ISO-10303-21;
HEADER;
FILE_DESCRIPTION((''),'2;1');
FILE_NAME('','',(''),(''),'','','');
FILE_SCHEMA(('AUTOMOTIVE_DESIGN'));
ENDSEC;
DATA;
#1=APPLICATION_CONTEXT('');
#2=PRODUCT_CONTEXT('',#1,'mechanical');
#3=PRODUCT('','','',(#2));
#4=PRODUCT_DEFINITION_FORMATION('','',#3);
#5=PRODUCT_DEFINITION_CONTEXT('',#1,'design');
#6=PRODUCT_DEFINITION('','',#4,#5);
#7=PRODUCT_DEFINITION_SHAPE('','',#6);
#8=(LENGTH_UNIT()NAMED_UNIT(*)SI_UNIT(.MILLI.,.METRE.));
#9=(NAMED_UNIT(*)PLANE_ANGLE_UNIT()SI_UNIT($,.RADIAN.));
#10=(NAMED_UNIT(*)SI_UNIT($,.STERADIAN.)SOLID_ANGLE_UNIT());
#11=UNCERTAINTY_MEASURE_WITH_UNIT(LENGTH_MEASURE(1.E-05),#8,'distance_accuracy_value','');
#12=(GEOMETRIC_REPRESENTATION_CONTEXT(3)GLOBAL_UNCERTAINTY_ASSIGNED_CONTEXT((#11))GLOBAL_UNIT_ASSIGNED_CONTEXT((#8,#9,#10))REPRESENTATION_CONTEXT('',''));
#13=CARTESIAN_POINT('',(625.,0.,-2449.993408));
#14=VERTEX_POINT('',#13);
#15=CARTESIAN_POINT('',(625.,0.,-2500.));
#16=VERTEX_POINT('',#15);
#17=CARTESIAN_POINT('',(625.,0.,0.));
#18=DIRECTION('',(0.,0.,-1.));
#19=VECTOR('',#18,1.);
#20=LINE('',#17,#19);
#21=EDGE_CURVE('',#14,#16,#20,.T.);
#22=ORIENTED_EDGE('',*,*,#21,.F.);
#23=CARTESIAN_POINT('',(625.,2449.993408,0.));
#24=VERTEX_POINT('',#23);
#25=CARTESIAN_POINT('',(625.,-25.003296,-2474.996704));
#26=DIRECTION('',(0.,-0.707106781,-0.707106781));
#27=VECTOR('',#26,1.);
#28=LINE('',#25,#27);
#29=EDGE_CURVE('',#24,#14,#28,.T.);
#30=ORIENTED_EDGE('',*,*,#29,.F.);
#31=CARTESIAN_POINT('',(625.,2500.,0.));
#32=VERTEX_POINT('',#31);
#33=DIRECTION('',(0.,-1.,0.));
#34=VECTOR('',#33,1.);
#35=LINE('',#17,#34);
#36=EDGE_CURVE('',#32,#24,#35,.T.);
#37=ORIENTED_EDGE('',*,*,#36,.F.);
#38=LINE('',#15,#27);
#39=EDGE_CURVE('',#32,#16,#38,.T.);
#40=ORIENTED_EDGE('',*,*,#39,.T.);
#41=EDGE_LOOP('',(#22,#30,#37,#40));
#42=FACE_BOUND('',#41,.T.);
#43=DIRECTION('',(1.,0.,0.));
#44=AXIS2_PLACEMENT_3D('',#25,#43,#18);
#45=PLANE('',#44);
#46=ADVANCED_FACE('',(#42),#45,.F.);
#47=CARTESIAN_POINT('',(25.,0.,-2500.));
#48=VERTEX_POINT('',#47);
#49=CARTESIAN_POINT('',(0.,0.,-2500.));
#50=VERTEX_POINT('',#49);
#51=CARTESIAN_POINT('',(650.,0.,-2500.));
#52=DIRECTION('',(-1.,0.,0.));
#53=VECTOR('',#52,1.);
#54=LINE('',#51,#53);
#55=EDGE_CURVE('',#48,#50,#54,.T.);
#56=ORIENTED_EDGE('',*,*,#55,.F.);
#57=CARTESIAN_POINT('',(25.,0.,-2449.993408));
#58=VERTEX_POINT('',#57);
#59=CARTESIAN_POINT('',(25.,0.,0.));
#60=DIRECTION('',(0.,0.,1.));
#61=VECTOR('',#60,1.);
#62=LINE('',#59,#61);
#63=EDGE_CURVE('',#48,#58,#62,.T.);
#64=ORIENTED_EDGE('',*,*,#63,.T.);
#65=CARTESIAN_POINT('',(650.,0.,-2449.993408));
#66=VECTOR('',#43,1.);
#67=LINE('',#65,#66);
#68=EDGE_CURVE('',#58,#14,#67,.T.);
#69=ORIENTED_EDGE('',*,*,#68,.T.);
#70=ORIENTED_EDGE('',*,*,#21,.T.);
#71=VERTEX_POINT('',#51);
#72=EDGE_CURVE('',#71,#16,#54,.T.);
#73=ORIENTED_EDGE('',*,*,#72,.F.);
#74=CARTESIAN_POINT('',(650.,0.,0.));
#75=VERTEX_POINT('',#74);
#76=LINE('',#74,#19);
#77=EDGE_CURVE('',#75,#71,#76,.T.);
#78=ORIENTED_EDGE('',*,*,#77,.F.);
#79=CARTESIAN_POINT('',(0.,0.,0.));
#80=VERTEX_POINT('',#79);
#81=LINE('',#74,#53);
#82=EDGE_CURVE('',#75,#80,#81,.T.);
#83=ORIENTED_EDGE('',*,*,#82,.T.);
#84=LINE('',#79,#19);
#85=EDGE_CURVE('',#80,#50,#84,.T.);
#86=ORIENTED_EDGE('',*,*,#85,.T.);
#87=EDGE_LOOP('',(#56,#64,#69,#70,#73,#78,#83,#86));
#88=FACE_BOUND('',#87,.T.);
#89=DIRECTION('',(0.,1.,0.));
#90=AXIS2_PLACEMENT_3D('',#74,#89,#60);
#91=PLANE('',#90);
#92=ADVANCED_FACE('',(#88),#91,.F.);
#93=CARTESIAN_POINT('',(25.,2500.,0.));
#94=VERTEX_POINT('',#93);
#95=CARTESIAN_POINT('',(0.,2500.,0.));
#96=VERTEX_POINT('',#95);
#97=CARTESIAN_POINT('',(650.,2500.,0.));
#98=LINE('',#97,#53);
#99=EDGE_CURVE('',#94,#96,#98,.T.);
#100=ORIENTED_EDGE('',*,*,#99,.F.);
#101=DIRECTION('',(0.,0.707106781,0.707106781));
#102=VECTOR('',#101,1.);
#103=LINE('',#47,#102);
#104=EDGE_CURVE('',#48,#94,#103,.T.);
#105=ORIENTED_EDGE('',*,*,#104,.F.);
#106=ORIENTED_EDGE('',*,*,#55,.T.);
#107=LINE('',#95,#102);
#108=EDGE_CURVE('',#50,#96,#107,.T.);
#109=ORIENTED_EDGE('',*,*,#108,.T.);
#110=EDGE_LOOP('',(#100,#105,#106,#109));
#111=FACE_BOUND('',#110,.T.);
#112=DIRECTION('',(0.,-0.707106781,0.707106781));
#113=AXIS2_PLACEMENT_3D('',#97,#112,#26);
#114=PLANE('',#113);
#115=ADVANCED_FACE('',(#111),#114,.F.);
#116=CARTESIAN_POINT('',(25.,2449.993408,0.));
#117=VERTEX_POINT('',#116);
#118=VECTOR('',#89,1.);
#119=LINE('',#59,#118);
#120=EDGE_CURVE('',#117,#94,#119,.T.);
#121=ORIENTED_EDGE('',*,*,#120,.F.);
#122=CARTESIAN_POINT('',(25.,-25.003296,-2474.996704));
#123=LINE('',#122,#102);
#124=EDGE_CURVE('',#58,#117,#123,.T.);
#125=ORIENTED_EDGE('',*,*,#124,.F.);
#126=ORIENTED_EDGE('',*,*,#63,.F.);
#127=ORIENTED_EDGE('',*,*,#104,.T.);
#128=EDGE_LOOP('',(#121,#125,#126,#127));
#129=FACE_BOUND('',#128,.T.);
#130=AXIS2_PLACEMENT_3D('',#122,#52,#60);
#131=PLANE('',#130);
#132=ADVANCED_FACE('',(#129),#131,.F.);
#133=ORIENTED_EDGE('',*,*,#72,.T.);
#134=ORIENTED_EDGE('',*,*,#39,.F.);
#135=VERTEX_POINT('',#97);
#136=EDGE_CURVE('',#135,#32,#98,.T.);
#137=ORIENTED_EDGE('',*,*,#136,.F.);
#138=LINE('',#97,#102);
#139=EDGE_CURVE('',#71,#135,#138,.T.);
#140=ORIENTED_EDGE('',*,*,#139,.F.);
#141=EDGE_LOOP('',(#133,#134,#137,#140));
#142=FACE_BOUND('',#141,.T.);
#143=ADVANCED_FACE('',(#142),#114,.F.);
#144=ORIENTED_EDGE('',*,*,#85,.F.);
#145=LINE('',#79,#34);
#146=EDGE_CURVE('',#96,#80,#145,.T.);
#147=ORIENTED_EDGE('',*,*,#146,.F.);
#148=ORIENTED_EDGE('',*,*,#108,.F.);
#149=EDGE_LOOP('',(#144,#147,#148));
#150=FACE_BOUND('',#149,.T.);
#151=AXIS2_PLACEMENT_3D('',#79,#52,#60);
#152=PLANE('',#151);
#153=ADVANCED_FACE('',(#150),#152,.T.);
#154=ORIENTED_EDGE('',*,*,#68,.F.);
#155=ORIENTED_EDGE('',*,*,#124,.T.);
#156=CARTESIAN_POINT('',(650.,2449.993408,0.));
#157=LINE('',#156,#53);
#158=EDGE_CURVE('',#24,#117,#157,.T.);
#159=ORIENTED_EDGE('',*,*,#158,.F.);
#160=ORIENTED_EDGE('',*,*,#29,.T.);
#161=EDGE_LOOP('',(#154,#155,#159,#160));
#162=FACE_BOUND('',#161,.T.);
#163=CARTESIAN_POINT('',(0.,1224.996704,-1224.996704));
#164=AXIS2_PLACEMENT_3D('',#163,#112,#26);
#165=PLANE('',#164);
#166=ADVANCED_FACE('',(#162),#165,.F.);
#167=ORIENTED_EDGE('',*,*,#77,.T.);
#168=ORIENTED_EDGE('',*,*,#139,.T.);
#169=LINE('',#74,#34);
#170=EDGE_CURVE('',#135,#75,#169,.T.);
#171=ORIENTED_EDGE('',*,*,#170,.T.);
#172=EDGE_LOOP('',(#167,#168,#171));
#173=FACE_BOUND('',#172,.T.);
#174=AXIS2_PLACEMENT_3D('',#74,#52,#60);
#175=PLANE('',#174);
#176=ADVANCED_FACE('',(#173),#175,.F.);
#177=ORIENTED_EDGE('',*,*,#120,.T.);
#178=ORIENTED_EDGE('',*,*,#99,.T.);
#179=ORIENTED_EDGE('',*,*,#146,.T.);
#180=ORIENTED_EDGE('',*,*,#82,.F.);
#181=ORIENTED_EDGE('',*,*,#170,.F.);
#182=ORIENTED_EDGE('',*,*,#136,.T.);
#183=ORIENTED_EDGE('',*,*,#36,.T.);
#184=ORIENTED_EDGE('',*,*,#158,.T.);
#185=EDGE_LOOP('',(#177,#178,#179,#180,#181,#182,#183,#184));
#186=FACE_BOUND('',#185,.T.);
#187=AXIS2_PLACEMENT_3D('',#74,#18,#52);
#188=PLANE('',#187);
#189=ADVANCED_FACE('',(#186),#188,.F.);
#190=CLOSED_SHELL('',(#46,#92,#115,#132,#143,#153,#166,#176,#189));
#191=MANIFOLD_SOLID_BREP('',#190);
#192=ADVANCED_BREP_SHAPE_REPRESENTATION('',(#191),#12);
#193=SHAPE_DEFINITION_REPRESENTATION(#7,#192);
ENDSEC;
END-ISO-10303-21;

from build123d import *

# Parameters (mm, degrees)
BOSS_EXTRUDE1_DEPTH = 650
SKETCH5_W           = 600
SKETCH5_H           = 3535.533905932
CUT_EXTRUDE1_DEPTH  = 35.36


with BuildPart() as part:
    # Sketch3 → Boss-Extrude1 (new body)
    with BuildSketch(Plane(origin=(0, 0, 0), x_dir=(0, 0, -1), z_dir=(1, 0, 0))):
        Polygon((0, 0), (2500, 0), (0, 2500), align=None)
    extrude(amount=BOSS_EXTRUDE1_DEPTH)

    # Sketch5 → Cut-Extrude1 (cut)
    with BuildSketch(Plane(origin=(0, 1250, -1250), x_dir=(1, 0, 0), z_dir=(0, 0.707106781, -0.707106781))):
        with Locations((325, 0)):
            Rectangle(SKETCH5_W, SKETCH5_H)
    extrude(amount=-CUT_EXTRUDE1_DEPTH, mode=Mode.SUBTRACT)


solid = part.part
